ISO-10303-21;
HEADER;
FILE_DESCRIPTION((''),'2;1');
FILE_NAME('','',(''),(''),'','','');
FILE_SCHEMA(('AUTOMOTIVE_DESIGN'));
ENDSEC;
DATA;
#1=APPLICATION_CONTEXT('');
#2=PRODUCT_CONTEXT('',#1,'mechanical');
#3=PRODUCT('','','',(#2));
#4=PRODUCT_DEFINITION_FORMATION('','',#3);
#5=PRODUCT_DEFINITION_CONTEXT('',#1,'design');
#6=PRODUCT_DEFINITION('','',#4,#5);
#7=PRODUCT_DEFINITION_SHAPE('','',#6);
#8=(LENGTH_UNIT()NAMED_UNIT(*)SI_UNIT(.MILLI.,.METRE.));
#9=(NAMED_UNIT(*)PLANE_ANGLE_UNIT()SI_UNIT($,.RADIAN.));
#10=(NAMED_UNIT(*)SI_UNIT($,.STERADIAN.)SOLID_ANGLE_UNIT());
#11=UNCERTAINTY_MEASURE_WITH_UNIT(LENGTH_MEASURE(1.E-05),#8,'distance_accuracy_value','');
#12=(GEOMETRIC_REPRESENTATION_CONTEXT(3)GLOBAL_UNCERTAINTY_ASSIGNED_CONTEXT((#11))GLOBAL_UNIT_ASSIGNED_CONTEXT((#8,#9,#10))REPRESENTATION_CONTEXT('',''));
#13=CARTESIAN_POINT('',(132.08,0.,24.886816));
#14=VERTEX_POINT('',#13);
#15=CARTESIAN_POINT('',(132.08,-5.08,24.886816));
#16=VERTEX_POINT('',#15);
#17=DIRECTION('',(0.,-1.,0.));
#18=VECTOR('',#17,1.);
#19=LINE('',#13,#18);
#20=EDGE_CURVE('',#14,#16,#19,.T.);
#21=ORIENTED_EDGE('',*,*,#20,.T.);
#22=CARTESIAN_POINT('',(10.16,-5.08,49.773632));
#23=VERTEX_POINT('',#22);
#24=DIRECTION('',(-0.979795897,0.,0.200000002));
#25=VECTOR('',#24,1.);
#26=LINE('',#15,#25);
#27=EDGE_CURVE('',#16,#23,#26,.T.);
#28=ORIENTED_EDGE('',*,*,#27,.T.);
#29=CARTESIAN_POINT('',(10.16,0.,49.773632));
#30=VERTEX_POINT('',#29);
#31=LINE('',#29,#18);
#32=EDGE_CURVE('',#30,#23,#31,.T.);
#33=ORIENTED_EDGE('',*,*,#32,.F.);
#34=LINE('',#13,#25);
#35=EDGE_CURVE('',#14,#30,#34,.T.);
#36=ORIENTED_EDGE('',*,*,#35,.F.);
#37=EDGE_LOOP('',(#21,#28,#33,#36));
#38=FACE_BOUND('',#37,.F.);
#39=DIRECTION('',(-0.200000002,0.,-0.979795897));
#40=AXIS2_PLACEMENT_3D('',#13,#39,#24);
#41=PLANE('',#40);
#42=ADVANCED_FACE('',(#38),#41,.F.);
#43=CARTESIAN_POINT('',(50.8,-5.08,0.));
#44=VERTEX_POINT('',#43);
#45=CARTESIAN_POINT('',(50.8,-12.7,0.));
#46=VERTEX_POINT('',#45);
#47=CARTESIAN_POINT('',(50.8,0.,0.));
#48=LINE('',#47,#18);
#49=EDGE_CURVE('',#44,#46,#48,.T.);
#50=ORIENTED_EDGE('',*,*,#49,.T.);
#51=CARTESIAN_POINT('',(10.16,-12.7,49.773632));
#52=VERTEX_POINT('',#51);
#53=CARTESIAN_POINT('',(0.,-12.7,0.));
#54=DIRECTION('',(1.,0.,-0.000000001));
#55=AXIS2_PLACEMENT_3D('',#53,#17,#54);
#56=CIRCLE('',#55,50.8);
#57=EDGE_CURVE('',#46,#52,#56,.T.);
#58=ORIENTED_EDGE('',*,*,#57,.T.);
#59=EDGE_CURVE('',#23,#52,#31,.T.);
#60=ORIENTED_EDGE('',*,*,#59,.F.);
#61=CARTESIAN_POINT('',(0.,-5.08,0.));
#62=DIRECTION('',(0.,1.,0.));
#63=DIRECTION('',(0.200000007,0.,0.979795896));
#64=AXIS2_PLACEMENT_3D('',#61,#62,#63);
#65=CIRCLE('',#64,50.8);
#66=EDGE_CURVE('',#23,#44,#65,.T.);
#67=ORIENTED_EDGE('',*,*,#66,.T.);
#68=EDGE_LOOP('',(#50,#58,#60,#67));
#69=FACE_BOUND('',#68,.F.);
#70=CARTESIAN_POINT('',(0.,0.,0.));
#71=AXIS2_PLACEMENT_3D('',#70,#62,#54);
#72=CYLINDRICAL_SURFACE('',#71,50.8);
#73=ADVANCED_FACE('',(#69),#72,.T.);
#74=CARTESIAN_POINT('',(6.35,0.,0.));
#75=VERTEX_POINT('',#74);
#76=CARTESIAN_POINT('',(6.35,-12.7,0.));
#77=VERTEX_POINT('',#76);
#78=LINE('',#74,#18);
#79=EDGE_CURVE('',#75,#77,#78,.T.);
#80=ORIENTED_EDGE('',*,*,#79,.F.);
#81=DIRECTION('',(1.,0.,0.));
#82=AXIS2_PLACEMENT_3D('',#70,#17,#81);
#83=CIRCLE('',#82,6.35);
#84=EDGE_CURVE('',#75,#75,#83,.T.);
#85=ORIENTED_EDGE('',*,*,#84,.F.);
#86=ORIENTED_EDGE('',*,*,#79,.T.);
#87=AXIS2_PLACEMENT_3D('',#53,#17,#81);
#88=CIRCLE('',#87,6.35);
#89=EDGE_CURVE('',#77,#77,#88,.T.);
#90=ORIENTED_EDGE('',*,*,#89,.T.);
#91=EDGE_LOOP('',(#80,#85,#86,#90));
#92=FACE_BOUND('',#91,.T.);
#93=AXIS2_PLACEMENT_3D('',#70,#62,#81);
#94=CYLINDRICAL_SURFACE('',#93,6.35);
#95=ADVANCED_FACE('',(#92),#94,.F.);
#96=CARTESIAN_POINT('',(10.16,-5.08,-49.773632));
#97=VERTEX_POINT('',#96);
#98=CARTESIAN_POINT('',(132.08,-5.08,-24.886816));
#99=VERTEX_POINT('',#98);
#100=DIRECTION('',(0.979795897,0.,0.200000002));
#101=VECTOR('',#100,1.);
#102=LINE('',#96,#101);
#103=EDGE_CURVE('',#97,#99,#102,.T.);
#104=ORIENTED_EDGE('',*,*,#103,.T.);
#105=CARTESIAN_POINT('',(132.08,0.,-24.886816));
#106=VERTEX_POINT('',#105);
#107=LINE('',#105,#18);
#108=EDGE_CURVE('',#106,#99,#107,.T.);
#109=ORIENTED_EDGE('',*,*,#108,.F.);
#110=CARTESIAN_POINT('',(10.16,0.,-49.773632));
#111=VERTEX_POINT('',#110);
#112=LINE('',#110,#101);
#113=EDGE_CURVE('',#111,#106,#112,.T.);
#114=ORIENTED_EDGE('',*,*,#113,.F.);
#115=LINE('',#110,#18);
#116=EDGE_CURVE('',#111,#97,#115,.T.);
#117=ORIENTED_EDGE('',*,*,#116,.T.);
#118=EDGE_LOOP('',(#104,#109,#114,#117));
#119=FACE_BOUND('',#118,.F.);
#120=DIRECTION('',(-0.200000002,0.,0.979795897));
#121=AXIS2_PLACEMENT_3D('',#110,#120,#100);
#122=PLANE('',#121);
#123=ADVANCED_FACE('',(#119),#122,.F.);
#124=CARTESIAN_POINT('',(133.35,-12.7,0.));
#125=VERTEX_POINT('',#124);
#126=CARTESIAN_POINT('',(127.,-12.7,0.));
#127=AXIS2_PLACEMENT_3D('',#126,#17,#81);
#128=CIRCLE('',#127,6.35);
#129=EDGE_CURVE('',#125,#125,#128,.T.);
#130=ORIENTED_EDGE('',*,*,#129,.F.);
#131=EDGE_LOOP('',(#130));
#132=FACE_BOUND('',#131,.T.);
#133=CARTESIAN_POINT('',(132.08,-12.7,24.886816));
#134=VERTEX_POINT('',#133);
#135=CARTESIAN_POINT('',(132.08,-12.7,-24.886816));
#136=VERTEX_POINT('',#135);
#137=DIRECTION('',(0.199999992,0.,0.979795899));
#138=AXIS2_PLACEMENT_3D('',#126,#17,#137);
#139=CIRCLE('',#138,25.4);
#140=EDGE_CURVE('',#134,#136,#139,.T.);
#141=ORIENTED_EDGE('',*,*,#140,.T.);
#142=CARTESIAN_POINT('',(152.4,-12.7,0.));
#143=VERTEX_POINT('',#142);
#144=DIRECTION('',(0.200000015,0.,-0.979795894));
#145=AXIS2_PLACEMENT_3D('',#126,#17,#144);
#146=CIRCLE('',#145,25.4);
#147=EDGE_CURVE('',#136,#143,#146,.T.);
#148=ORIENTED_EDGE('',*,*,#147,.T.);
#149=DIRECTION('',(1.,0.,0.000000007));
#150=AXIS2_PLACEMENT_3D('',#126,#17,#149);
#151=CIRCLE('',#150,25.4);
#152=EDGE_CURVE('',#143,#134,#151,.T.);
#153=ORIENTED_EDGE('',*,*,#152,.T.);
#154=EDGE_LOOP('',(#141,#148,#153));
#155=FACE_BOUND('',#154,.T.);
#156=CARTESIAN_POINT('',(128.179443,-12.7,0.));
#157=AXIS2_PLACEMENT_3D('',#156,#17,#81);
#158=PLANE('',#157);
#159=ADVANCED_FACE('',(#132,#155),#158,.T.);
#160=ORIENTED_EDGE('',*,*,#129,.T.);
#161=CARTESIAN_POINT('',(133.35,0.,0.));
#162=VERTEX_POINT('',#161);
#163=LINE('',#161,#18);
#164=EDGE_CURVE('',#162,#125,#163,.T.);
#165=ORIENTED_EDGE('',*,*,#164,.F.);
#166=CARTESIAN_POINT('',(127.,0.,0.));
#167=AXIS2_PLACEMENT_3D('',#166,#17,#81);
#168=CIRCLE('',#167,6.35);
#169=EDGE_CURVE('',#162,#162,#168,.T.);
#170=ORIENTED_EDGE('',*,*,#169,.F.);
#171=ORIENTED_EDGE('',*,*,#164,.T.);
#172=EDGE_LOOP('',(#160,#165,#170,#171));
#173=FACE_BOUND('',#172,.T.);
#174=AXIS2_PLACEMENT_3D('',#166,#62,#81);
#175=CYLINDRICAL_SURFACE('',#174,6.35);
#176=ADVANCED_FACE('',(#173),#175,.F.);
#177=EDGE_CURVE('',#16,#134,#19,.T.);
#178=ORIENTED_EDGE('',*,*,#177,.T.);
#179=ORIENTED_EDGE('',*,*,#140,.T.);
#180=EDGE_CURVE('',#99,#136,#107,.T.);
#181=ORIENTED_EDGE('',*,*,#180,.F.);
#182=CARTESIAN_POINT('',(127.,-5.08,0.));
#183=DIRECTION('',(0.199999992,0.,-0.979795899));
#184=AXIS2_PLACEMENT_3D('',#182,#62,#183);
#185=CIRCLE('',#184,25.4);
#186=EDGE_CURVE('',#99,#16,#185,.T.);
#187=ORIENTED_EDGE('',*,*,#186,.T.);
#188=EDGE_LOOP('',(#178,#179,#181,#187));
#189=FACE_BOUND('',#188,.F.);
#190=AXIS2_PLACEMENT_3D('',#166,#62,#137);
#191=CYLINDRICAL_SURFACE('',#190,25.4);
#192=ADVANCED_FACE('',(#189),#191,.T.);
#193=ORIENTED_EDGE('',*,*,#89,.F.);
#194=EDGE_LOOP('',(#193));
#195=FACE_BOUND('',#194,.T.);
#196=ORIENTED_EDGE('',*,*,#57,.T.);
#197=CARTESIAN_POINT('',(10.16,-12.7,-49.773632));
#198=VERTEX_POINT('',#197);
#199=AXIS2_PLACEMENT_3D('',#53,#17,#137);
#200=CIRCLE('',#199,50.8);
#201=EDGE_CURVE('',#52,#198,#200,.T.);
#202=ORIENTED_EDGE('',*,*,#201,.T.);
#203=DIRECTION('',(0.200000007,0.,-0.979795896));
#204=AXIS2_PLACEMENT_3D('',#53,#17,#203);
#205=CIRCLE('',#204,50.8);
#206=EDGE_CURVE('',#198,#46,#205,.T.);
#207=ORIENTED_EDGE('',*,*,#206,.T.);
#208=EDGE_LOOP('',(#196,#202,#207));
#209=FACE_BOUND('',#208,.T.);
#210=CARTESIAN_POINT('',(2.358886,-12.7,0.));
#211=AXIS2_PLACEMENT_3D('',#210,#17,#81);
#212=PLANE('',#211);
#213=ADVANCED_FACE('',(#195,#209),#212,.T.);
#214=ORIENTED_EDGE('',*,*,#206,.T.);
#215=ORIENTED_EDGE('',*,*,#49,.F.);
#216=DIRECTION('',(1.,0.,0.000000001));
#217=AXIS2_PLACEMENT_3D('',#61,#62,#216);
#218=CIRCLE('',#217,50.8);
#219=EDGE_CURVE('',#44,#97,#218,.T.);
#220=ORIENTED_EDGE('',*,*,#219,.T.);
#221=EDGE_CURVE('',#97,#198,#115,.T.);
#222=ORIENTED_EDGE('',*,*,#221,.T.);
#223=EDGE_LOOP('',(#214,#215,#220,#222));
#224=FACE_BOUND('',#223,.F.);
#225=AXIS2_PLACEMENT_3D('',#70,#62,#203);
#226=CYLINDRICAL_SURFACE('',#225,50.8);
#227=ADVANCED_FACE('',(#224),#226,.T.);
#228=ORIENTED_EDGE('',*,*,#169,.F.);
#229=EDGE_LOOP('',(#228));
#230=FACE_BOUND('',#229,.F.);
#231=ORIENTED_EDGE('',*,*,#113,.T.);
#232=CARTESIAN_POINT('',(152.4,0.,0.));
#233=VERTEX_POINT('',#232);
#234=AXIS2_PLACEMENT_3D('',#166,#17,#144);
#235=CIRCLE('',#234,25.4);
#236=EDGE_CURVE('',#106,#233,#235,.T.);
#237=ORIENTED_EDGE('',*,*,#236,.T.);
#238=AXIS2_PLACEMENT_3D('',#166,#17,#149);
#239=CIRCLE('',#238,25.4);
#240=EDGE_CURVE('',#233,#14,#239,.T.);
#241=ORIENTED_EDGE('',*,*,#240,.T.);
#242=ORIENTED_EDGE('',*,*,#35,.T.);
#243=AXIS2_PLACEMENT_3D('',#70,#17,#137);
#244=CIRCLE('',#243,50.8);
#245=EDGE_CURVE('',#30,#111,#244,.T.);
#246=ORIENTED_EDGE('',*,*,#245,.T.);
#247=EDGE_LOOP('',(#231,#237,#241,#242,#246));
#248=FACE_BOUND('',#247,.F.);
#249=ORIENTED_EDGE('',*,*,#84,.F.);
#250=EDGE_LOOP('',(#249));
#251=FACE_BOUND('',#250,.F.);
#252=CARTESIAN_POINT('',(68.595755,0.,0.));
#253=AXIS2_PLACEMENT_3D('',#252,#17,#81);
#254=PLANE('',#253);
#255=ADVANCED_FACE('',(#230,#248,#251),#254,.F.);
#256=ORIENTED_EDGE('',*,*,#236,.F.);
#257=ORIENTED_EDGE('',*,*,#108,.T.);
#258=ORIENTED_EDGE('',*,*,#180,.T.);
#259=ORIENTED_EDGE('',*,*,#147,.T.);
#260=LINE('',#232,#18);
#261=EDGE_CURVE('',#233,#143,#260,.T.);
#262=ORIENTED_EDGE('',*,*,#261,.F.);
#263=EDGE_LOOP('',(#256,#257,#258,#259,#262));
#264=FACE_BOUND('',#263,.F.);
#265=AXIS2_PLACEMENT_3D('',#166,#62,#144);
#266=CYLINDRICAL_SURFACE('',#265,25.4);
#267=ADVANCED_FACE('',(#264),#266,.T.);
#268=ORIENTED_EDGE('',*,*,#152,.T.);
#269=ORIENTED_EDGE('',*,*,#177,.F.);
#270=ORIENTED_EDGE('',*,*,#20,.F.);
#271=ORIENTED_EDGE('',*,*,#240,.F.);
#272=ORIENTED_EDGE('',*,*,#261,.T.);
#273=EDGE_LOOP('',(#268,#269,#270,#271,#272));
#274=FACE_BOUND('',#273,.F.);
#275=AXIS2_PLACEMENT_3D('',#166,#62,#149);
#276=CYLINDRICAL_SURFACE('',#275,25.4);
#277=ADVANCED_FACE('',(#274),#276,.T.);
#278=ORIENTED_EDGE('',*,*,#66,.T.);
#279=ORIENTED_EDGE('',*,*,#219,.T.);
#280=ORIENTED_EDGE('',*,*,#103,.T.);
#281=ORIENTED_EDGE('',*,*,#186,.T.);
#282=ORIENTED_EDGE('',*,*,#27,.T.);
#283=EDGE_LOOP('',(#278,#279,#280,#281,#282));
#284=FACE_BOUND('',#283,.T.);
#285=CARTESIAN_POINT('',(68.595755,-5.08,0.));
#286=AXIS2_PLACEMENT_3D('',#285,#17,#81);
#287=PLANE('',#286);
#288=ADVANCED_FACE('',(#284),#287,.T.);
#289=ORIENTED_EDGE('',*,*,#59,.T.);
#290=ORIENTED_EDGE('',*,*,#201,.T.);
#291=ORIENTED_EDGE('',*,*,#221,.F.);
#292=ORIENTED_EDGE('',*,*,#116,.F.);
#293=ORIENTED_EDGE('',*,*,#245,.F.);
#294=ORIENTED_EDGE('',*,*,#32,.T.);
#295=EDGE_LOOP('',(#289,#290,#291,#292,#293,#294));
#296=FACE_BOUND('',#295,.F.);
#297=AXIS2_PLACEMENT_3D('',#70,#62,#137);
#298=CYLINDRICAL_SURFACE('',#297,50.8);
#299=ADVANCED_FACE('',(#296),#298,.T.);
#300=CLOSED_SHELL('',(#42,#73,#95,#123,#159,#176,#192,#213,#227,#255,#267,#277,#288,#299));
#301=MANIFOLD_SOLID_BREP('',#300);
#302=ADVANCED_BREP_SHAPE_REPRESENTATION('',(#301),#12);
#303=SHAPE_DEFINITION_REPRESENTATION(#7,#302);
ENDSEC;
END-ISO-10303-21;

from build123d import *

# Parameters (mm, degrees)
F0_R     = 6.35
F1_DEPTH = 12.7
F2_DEPTH = 5.08
F3_DEPTH = 101.6


with BuildPart() as f1:
    # F0 (on Front) → F1 (new body)
    with BuildSketch(Plane.XZ):
        with BuildLine():
            ThreePointArc((152.4, 0), (146.674755, 16.064371), (132.08, 24.886816))
            ThreePointArc((132.08, 24.886816), (101.6, 0), (132.08, -24.886816))
            ThreePointArc((132.08, -24.886816), (146.674755, -16.064371), (152.4, 0))
        make_face()
        with Locations((127, 0)):
            Circle(F0_R, mode=Mode.SUBTRACT)
        with BuildLine():
            ThreePointArc((10.16, -49.773632), (39.349511, -32.128741), (50.8, 0))
            ThreePointArc((50.8, 0), (39.349511, 32.128741), (10.16, 49.773632))
            ThreePointArc((10.16, 49.773632), (-50.8, 0), (10.16, -49.773632))
        make_face()
        Circle(F0_R, mode=Mode.SUBTRACT)
    extrude(amount=F1_DEPTH)

    # F0 (on Front) → F2 (join)
    with BuildSketch(Plane.XZ):
        with BuildLine():
            ThreePointArc((10.16, 49.773632), (39.349511, 32.128741), (50.8, 0))
            ThreePointArc((50.8, 0), (39.349511, -32.128741), (10.16, -49.773632))
            Line((10.16, -49.773632), (132.08, -24.886816))
            ThreePointArc((132.08, -24.886816), (101.6, 0), (132.08, 24.886816))
            Line((132.08, 24.886816), (10.16, 49.773632))
        make_face()
    extrude(amount=F2_DEPTH)

    # F0 (on Front) → F3 (cut)
    with BuildSketch(Plane.XZ):
        Circle(F0_R)
    extrude(amount=F3_DEPTH, mode=Mode.SUBTRACT)


solid = f1.part
